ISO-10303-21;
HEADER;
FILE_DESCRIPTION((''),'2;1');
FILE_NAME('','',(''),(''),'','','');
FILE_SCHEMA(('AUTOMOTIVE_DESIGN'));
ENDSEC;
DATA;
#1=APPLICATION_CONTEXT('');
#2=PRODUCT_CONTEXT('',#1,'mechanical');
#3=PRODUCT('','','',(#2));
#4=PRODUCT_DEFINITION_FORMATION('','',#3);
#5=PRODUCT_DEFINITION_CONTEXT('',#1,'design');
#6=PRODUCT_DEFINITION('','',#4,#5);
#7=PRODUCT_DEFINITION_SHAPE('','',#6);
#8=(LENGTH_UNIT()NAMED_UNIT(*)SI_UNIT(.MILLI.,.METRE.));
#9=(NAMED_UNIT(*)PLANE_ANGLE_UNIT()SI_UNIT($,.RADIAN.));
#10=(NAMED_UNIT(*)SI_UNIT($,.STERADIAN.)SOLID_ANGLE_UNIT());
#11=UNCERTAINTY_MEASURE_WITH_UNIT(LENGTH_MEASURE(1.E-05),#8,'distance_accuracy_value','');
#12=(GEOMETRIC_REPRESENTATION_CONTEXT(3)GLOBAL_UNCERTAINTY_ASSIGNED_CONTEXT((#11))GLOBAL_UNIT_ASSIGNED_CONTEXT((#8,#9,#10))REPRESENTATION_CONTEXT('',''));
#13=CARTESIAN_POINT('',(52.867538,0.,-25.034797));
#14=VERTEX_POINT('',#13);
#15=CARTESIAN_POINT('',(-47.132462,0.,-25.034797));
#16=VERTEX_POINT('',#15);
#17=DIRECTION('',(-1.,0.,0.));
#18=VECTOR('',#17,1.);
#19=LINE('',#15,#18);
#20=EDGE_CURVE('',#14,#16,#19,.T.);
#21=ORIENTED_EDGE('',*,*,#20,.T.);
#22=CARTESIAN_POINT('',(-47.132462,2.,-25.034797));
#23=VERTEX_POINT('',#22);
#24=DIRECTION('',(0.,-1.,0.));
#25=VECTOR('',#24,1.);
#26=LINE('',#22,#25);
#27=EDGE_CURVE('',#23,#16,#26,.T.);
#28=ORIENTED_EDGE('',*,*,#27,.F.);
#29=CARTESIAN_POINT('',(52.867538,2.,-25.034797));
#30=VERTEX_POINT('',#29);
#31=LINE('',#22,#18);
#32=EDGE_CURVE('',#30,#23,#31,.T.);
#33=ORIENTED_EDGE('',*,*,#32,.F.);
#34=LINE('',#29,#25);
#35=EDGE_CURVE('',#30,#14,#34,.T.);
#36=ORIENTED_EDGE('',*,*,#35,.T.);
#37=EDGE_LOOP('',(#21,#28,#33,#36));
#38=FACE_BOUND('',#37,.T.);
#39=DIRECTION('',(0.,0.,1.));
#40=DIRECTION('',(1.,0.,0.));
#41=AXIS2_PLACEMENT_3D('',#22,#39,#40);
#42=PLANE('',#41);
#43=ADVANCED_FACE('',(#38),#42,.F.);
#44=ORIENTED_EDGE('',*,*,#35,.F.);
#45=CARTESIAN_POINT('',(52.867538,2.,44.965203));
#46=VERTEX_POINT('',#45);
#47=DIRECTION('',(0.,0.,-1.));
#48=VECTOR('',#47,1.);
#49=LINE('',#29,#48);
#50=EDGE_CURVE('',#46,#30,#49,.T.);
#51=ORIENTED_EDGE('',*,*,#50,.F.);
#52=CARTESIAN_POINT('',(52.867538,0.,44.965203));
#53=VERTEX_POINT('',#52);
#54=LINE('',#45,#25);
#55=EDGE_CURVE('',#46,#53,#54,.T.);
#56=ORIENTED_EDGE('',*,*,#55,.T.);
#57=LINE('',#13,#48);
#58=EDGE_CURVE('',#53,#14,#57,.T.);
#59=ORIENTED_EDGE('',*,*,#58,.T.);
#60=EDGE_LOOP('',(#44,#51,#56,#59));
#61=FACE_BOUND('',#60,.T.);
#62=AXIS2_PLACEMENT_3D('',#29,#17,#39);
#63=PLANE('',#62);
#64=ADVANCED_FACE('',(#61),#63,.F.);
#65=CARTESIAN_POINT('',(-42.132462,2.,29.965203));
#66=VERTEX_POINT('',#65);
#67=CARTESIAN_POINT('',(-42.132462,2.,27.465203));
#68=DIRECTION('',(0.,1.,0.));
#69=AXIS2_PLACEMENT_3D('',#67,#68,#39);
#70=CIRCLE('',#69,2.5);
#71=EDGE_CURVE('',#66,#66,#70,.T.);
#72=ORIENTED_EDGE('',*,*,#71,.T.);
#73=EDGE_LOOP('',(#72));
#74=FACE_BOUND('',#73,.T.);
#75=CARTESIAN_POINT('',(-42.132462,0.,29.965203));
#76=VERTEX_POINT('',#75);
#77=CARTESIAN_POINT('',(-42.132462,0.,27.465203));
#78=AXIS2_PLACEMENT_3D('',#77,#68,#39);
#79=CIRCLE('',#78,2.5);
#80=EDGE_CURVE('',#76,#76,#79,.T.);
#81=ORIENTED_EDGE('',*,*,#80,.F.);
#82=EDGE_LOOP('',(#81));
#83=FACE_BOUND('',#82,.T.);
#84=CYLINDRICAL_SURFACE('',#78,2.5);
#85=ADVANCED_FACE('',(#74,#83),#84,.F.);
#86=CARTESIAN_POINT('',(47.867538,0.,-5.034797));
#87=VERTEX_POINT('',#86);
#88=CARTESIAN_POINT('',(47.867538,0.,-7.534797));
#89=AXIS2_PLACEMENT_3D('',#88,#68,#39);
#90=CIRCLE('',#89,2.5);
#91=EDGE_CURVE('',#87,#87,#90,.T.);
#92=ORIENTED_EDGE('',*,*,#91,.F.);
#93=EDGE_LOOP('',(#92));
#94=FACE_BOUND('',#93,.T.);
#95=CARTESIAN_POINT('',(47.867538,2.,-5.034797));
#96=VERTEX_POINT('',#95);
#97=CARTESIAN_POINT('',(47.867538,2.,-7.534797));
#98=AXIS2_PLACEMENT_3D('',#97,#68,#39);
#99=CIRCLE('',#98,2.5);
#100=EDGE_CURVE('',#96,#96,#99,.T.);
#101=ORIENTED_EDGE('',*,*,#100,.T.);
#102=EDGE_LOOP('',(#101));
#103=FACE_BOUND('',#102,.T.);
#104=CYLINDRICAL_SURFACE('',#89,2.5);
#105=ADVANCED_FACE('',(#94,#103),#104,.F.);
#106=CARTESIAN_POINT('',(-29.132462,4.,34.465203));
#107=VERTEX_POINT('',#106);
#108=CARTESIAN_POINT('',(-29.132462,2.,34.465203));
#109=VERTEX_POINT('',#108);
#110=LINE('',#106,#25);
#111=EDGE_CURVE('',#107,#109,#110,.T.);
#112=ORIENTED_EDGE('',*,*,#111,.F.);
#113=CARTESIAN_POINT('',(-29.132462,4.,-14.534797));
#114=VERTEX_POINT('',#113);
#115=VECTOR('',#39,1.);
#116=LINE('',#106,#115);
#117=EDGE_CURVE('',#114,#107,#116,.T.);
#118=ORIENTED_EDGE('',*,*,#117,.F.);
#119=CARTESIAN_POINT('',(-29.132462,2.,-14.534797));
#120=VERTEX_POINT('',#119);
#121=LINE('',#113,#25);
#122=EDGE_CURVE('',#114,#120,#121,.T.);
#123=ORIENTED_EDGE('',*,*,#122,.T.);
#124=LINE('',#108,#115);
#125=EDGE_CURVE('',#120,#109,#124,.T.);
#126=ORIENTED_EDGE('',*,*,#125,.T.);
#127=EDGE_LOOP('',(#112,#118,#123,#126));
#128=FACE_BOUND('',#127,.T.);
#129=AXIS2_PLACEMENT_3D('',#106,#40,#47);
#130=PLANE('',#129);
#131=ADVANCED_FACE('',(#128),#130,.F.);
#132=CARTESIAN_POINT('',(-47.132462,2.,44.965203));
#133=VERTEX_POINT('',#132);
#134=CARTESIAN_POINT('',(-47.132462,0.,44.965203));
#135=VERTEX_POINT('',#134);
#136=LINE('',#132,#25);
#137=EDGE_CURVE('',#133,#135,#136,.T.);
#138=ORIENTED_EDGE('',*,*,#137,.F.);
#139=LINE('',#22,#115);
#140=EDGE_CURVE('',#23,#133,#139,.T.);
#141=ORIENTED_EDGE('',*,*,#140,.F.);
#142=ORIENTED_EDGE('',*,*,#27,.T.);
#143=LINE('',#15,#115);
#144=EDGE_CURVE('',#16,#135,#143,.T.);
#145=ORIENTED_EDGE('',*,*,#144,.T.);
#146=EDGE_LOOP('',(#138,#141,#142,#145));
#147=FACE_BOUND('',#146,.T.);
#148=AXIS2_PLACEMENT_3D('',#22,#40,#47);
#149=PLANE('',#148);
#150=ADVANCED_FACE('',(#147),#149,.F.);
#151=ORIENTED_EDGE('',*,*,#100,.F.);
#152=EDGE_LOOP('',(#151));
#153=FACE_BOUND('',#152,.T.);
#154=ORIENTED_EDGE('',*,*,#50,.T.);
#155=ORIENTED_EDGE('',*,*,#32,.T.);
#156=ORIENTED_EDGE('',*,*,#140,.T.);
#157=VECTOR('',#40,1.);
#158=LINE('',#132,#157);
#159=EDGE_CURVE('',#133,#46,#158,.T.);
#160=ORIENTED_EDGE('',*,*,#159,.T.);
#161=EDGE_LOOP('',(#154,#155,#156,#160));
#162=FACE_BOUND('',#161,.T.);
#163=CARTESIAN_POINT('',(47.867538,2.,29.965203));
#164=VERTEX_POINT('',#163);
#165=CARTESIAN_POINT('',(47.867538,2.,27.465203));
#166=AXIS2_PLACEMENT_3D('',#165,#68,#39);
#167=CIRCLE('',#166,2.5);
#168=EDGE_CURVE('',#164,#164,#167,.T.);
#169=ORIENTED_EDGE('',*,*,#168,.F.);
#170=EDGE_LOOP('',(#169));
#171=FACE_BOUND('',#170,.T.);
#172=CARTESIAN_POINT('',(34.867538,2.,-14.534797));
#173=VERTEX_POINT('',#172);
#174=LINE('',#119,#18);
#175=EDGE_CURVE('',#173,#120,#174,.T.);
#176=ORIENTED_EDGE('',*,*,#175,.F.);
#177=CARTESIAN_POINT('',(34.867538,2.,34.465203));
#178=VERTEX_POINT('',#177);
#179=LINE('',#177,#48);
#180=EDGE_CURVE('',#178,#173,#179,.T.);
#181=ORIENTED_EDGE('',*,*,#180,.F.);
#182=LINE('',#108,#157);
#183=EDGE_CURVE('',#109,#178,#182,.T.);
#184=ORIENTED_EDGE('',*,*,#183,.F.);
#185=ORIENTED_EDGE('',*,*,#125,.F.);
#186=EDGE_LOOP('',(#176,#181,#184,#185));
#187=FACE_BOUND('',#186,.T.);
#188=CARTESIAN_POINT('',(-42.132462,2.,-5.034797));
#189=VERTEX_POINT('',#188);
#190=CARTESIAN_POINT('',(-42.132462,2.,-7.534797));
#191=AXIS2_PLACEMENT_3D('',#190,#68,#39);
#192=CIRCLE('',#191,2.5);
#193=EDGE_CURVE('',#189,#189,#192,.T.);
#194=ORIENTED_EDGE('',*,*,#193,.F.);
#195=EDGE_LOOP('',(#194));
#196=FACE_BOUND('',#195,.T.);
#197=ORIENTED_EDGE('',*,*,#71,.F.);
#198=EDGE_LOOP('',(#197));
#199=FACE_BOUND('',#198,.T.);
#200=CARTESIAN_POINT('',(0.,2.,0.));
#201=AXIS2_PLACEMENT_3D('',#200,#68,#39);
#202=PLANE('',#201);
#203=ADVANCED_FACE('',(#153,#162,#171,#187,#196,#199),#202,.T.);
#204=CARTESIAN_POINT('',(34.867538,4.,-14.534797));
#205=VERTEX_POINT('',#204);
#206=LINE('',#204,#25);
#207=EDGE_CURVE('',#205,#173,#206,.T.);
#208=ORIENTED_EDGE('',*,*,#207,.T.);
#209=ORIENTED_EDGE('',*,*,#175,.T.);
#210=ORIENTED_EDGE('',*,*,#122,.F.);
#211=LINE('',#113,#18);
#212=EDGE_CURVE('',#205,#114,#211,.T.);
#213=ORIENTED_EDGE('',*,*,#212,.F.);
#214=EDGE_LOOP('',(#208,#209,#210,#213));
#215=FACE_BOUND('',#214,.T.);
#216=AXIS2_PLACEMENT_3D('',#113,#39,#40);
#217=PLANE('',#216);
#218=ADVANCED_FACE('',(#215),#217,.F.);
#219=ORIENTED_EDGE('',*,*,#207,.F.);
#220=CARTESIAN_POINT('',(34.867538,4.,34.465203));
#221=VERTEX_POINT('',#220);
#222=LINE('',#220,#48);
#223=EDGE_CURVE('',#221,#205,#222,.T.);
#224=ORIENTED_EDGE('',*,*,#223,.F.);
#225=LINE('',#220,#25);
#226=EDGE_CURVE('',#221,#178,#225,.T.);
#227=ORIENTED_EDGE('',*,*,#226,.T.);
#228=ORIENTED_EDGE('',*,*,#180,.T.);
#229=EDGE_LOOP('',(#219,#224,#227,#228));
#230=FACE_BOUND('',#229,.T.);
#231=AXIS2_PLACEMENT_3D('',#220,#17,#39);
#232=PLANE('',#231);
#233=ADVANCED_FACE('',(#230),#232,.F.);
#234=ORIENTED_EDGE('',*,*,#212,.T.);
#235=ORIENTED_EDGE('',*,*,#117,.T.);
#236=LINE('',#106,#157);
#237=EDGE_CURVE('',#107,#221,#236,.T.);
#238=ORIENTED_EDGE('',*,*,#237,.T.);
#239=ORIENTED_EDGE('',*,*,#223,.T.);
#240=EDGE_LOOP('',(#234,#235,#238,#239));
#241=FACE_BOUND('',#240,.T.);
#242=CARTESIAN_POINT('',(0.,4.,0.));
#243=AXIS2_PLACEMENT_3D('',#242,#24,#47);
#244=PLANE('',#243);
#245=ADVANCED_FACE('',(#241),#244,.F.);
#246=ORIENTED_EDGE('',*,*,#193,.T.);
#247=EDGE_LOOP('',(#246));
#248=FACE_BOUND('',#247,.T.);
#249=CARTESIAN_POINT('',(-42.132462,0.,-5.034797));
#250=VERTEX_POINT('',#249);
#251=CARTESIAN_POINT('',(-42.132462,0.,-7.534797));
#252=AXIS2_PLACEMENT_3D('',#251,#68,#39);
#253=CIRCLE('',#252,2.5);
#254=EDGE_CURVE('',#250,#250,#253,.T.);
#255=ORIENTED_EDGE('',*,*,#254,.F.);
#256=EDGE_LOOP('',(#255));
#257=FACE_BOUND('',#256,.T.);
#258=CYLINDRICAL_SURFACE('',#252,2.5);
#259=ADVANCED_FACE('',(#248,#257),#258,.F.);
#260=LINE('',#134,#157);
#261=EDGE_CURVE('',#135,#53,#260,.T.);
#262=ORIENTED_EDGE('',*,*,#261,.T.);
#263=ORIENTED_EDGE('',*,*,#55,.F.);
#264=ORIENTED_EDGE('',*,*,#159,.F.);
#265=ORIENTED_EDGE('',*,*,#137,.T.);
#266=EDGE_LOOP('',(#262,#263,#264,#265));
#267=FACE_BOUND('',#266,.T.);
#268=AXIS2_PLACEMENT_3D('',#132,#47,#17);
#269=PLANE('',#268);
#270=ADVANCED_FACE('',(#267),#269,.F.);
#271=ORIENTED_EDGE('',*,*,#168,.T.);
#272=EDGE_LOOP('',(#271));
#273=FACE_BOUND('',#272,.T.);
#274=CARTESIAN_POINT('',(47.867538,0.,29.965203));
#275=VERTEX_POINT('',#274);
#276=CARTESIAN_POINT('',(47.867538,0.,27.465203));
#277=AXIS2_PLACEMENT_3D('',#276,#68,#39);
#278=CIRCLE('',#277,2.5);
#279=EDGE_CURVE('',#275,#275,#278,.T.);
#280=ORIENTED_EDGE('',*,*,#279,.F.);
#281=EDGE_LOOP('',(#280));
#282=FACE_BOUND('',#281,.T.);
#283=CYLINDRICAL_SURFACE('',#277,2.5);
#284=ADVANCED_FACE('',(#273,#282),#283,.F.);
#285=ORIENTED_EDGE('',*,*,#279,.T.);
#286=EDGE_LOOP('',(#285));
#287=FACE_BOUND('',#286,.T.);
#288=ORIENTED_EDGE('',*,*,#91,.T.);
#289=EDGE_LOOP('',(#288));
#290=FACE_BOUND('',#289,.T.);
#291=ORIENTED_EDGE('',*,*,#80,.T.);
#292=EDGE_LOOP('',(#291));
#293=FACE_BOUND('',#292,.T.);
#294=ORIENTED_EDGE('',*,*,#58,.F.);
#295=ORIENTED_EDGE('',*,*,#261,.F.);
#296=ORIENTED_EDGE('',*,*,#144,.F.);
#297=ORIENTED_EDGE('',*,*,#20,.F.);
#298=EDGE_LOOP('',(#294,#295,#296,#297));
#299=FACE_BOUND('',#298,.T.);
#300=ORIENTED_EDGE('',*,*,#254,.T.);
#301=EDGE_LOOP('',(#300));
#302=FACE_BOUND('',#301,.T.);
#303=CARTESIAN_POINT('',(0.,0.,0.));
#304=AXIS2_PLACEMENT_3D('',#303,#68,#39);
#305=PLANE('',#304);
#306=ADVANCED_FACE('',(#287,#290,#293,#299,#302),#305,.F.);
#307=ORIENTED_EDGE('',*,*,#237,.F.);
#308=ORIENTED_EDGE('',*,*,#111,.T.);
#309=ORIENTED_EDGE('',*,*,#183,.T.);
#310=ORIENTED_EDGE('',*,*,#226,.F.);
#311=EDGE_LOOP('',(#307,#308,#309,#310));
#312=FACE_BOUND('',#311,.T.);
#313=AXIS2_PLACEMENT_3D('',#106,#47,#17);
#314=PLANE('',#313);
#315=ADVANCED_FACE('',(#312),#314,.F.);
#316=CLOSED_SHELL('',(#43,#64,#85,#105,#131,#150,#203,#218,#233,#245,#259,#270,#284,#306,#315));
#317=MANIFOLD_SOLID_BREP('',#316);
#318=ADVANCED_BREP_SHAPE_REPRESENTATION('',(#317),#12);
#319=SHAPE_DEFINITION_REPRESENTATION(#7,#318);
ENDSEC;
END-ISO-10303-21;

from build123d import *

# Parameters (mm, degrees)
SKETCH1_W           = 100
SKETCH1_H           = 70
BOSS_EXTRUDE1_DEPTH = 2
SKETCH2_W           = 64
SKETCH2_H           = 49
BOSS_EXTRUDE2_DEPTH = 2
SKETCH3_R           = 2.5
CUT_EXTRUDE1_DEPTH  = 2


with BuildPart() as part:
    # Sketch1 → Boss-Extrude1 (new body)
    with BuildSketch(Plane(origin=(0, 0, 0), x_dir=(1, 0, 0), z_dir=(0, 1, 0))):
        with Locations((2.867538216, -9.96520279)):
            Rectangle(SKETCH1_W, SKETCH1_H)
    extrude(amount=BOSS_EXTRUDE1_DEPTH)

    # Sketch2 → Boss-Extrude2 (add)
    with BuildSketch(Plane(origin=(0, 2, 0), x_dir=(1, 0, 0), z_dir=(0, 1, 0))):
        with Locations((2.867538216, -9.96520279)):
            Rectangle(SKETCH2_W, SKETCH2_H)
    extrude(amount=BOSS_EXTRUDE2_DEPTH)

    # Sketch3 → Cut-Extrude1 (cut)
    with BuildSketch(Plane(origin=(0, 2, 0), x_dir=(1, 0, 0), z_dir=(0, 1, 0))):
        with Locations((-42.132461784, 7.53479721)):
            Circle(SKETCH3_R)
        with Locations((47.867538216, 7.53479721)):
            Circle(SKETCH3_R)
        with Locations((47.867538216, -27.46520279)):
            Circle(SKETCH3_R)
        with Locations((-42.132461784, -27.46520279)):
            Circle(SKETCH3_R)
    extrude(amount=-CUT_EXTRUDE1_DEPTH, mode=Mode.SUBTRACT)


solid = part.part
